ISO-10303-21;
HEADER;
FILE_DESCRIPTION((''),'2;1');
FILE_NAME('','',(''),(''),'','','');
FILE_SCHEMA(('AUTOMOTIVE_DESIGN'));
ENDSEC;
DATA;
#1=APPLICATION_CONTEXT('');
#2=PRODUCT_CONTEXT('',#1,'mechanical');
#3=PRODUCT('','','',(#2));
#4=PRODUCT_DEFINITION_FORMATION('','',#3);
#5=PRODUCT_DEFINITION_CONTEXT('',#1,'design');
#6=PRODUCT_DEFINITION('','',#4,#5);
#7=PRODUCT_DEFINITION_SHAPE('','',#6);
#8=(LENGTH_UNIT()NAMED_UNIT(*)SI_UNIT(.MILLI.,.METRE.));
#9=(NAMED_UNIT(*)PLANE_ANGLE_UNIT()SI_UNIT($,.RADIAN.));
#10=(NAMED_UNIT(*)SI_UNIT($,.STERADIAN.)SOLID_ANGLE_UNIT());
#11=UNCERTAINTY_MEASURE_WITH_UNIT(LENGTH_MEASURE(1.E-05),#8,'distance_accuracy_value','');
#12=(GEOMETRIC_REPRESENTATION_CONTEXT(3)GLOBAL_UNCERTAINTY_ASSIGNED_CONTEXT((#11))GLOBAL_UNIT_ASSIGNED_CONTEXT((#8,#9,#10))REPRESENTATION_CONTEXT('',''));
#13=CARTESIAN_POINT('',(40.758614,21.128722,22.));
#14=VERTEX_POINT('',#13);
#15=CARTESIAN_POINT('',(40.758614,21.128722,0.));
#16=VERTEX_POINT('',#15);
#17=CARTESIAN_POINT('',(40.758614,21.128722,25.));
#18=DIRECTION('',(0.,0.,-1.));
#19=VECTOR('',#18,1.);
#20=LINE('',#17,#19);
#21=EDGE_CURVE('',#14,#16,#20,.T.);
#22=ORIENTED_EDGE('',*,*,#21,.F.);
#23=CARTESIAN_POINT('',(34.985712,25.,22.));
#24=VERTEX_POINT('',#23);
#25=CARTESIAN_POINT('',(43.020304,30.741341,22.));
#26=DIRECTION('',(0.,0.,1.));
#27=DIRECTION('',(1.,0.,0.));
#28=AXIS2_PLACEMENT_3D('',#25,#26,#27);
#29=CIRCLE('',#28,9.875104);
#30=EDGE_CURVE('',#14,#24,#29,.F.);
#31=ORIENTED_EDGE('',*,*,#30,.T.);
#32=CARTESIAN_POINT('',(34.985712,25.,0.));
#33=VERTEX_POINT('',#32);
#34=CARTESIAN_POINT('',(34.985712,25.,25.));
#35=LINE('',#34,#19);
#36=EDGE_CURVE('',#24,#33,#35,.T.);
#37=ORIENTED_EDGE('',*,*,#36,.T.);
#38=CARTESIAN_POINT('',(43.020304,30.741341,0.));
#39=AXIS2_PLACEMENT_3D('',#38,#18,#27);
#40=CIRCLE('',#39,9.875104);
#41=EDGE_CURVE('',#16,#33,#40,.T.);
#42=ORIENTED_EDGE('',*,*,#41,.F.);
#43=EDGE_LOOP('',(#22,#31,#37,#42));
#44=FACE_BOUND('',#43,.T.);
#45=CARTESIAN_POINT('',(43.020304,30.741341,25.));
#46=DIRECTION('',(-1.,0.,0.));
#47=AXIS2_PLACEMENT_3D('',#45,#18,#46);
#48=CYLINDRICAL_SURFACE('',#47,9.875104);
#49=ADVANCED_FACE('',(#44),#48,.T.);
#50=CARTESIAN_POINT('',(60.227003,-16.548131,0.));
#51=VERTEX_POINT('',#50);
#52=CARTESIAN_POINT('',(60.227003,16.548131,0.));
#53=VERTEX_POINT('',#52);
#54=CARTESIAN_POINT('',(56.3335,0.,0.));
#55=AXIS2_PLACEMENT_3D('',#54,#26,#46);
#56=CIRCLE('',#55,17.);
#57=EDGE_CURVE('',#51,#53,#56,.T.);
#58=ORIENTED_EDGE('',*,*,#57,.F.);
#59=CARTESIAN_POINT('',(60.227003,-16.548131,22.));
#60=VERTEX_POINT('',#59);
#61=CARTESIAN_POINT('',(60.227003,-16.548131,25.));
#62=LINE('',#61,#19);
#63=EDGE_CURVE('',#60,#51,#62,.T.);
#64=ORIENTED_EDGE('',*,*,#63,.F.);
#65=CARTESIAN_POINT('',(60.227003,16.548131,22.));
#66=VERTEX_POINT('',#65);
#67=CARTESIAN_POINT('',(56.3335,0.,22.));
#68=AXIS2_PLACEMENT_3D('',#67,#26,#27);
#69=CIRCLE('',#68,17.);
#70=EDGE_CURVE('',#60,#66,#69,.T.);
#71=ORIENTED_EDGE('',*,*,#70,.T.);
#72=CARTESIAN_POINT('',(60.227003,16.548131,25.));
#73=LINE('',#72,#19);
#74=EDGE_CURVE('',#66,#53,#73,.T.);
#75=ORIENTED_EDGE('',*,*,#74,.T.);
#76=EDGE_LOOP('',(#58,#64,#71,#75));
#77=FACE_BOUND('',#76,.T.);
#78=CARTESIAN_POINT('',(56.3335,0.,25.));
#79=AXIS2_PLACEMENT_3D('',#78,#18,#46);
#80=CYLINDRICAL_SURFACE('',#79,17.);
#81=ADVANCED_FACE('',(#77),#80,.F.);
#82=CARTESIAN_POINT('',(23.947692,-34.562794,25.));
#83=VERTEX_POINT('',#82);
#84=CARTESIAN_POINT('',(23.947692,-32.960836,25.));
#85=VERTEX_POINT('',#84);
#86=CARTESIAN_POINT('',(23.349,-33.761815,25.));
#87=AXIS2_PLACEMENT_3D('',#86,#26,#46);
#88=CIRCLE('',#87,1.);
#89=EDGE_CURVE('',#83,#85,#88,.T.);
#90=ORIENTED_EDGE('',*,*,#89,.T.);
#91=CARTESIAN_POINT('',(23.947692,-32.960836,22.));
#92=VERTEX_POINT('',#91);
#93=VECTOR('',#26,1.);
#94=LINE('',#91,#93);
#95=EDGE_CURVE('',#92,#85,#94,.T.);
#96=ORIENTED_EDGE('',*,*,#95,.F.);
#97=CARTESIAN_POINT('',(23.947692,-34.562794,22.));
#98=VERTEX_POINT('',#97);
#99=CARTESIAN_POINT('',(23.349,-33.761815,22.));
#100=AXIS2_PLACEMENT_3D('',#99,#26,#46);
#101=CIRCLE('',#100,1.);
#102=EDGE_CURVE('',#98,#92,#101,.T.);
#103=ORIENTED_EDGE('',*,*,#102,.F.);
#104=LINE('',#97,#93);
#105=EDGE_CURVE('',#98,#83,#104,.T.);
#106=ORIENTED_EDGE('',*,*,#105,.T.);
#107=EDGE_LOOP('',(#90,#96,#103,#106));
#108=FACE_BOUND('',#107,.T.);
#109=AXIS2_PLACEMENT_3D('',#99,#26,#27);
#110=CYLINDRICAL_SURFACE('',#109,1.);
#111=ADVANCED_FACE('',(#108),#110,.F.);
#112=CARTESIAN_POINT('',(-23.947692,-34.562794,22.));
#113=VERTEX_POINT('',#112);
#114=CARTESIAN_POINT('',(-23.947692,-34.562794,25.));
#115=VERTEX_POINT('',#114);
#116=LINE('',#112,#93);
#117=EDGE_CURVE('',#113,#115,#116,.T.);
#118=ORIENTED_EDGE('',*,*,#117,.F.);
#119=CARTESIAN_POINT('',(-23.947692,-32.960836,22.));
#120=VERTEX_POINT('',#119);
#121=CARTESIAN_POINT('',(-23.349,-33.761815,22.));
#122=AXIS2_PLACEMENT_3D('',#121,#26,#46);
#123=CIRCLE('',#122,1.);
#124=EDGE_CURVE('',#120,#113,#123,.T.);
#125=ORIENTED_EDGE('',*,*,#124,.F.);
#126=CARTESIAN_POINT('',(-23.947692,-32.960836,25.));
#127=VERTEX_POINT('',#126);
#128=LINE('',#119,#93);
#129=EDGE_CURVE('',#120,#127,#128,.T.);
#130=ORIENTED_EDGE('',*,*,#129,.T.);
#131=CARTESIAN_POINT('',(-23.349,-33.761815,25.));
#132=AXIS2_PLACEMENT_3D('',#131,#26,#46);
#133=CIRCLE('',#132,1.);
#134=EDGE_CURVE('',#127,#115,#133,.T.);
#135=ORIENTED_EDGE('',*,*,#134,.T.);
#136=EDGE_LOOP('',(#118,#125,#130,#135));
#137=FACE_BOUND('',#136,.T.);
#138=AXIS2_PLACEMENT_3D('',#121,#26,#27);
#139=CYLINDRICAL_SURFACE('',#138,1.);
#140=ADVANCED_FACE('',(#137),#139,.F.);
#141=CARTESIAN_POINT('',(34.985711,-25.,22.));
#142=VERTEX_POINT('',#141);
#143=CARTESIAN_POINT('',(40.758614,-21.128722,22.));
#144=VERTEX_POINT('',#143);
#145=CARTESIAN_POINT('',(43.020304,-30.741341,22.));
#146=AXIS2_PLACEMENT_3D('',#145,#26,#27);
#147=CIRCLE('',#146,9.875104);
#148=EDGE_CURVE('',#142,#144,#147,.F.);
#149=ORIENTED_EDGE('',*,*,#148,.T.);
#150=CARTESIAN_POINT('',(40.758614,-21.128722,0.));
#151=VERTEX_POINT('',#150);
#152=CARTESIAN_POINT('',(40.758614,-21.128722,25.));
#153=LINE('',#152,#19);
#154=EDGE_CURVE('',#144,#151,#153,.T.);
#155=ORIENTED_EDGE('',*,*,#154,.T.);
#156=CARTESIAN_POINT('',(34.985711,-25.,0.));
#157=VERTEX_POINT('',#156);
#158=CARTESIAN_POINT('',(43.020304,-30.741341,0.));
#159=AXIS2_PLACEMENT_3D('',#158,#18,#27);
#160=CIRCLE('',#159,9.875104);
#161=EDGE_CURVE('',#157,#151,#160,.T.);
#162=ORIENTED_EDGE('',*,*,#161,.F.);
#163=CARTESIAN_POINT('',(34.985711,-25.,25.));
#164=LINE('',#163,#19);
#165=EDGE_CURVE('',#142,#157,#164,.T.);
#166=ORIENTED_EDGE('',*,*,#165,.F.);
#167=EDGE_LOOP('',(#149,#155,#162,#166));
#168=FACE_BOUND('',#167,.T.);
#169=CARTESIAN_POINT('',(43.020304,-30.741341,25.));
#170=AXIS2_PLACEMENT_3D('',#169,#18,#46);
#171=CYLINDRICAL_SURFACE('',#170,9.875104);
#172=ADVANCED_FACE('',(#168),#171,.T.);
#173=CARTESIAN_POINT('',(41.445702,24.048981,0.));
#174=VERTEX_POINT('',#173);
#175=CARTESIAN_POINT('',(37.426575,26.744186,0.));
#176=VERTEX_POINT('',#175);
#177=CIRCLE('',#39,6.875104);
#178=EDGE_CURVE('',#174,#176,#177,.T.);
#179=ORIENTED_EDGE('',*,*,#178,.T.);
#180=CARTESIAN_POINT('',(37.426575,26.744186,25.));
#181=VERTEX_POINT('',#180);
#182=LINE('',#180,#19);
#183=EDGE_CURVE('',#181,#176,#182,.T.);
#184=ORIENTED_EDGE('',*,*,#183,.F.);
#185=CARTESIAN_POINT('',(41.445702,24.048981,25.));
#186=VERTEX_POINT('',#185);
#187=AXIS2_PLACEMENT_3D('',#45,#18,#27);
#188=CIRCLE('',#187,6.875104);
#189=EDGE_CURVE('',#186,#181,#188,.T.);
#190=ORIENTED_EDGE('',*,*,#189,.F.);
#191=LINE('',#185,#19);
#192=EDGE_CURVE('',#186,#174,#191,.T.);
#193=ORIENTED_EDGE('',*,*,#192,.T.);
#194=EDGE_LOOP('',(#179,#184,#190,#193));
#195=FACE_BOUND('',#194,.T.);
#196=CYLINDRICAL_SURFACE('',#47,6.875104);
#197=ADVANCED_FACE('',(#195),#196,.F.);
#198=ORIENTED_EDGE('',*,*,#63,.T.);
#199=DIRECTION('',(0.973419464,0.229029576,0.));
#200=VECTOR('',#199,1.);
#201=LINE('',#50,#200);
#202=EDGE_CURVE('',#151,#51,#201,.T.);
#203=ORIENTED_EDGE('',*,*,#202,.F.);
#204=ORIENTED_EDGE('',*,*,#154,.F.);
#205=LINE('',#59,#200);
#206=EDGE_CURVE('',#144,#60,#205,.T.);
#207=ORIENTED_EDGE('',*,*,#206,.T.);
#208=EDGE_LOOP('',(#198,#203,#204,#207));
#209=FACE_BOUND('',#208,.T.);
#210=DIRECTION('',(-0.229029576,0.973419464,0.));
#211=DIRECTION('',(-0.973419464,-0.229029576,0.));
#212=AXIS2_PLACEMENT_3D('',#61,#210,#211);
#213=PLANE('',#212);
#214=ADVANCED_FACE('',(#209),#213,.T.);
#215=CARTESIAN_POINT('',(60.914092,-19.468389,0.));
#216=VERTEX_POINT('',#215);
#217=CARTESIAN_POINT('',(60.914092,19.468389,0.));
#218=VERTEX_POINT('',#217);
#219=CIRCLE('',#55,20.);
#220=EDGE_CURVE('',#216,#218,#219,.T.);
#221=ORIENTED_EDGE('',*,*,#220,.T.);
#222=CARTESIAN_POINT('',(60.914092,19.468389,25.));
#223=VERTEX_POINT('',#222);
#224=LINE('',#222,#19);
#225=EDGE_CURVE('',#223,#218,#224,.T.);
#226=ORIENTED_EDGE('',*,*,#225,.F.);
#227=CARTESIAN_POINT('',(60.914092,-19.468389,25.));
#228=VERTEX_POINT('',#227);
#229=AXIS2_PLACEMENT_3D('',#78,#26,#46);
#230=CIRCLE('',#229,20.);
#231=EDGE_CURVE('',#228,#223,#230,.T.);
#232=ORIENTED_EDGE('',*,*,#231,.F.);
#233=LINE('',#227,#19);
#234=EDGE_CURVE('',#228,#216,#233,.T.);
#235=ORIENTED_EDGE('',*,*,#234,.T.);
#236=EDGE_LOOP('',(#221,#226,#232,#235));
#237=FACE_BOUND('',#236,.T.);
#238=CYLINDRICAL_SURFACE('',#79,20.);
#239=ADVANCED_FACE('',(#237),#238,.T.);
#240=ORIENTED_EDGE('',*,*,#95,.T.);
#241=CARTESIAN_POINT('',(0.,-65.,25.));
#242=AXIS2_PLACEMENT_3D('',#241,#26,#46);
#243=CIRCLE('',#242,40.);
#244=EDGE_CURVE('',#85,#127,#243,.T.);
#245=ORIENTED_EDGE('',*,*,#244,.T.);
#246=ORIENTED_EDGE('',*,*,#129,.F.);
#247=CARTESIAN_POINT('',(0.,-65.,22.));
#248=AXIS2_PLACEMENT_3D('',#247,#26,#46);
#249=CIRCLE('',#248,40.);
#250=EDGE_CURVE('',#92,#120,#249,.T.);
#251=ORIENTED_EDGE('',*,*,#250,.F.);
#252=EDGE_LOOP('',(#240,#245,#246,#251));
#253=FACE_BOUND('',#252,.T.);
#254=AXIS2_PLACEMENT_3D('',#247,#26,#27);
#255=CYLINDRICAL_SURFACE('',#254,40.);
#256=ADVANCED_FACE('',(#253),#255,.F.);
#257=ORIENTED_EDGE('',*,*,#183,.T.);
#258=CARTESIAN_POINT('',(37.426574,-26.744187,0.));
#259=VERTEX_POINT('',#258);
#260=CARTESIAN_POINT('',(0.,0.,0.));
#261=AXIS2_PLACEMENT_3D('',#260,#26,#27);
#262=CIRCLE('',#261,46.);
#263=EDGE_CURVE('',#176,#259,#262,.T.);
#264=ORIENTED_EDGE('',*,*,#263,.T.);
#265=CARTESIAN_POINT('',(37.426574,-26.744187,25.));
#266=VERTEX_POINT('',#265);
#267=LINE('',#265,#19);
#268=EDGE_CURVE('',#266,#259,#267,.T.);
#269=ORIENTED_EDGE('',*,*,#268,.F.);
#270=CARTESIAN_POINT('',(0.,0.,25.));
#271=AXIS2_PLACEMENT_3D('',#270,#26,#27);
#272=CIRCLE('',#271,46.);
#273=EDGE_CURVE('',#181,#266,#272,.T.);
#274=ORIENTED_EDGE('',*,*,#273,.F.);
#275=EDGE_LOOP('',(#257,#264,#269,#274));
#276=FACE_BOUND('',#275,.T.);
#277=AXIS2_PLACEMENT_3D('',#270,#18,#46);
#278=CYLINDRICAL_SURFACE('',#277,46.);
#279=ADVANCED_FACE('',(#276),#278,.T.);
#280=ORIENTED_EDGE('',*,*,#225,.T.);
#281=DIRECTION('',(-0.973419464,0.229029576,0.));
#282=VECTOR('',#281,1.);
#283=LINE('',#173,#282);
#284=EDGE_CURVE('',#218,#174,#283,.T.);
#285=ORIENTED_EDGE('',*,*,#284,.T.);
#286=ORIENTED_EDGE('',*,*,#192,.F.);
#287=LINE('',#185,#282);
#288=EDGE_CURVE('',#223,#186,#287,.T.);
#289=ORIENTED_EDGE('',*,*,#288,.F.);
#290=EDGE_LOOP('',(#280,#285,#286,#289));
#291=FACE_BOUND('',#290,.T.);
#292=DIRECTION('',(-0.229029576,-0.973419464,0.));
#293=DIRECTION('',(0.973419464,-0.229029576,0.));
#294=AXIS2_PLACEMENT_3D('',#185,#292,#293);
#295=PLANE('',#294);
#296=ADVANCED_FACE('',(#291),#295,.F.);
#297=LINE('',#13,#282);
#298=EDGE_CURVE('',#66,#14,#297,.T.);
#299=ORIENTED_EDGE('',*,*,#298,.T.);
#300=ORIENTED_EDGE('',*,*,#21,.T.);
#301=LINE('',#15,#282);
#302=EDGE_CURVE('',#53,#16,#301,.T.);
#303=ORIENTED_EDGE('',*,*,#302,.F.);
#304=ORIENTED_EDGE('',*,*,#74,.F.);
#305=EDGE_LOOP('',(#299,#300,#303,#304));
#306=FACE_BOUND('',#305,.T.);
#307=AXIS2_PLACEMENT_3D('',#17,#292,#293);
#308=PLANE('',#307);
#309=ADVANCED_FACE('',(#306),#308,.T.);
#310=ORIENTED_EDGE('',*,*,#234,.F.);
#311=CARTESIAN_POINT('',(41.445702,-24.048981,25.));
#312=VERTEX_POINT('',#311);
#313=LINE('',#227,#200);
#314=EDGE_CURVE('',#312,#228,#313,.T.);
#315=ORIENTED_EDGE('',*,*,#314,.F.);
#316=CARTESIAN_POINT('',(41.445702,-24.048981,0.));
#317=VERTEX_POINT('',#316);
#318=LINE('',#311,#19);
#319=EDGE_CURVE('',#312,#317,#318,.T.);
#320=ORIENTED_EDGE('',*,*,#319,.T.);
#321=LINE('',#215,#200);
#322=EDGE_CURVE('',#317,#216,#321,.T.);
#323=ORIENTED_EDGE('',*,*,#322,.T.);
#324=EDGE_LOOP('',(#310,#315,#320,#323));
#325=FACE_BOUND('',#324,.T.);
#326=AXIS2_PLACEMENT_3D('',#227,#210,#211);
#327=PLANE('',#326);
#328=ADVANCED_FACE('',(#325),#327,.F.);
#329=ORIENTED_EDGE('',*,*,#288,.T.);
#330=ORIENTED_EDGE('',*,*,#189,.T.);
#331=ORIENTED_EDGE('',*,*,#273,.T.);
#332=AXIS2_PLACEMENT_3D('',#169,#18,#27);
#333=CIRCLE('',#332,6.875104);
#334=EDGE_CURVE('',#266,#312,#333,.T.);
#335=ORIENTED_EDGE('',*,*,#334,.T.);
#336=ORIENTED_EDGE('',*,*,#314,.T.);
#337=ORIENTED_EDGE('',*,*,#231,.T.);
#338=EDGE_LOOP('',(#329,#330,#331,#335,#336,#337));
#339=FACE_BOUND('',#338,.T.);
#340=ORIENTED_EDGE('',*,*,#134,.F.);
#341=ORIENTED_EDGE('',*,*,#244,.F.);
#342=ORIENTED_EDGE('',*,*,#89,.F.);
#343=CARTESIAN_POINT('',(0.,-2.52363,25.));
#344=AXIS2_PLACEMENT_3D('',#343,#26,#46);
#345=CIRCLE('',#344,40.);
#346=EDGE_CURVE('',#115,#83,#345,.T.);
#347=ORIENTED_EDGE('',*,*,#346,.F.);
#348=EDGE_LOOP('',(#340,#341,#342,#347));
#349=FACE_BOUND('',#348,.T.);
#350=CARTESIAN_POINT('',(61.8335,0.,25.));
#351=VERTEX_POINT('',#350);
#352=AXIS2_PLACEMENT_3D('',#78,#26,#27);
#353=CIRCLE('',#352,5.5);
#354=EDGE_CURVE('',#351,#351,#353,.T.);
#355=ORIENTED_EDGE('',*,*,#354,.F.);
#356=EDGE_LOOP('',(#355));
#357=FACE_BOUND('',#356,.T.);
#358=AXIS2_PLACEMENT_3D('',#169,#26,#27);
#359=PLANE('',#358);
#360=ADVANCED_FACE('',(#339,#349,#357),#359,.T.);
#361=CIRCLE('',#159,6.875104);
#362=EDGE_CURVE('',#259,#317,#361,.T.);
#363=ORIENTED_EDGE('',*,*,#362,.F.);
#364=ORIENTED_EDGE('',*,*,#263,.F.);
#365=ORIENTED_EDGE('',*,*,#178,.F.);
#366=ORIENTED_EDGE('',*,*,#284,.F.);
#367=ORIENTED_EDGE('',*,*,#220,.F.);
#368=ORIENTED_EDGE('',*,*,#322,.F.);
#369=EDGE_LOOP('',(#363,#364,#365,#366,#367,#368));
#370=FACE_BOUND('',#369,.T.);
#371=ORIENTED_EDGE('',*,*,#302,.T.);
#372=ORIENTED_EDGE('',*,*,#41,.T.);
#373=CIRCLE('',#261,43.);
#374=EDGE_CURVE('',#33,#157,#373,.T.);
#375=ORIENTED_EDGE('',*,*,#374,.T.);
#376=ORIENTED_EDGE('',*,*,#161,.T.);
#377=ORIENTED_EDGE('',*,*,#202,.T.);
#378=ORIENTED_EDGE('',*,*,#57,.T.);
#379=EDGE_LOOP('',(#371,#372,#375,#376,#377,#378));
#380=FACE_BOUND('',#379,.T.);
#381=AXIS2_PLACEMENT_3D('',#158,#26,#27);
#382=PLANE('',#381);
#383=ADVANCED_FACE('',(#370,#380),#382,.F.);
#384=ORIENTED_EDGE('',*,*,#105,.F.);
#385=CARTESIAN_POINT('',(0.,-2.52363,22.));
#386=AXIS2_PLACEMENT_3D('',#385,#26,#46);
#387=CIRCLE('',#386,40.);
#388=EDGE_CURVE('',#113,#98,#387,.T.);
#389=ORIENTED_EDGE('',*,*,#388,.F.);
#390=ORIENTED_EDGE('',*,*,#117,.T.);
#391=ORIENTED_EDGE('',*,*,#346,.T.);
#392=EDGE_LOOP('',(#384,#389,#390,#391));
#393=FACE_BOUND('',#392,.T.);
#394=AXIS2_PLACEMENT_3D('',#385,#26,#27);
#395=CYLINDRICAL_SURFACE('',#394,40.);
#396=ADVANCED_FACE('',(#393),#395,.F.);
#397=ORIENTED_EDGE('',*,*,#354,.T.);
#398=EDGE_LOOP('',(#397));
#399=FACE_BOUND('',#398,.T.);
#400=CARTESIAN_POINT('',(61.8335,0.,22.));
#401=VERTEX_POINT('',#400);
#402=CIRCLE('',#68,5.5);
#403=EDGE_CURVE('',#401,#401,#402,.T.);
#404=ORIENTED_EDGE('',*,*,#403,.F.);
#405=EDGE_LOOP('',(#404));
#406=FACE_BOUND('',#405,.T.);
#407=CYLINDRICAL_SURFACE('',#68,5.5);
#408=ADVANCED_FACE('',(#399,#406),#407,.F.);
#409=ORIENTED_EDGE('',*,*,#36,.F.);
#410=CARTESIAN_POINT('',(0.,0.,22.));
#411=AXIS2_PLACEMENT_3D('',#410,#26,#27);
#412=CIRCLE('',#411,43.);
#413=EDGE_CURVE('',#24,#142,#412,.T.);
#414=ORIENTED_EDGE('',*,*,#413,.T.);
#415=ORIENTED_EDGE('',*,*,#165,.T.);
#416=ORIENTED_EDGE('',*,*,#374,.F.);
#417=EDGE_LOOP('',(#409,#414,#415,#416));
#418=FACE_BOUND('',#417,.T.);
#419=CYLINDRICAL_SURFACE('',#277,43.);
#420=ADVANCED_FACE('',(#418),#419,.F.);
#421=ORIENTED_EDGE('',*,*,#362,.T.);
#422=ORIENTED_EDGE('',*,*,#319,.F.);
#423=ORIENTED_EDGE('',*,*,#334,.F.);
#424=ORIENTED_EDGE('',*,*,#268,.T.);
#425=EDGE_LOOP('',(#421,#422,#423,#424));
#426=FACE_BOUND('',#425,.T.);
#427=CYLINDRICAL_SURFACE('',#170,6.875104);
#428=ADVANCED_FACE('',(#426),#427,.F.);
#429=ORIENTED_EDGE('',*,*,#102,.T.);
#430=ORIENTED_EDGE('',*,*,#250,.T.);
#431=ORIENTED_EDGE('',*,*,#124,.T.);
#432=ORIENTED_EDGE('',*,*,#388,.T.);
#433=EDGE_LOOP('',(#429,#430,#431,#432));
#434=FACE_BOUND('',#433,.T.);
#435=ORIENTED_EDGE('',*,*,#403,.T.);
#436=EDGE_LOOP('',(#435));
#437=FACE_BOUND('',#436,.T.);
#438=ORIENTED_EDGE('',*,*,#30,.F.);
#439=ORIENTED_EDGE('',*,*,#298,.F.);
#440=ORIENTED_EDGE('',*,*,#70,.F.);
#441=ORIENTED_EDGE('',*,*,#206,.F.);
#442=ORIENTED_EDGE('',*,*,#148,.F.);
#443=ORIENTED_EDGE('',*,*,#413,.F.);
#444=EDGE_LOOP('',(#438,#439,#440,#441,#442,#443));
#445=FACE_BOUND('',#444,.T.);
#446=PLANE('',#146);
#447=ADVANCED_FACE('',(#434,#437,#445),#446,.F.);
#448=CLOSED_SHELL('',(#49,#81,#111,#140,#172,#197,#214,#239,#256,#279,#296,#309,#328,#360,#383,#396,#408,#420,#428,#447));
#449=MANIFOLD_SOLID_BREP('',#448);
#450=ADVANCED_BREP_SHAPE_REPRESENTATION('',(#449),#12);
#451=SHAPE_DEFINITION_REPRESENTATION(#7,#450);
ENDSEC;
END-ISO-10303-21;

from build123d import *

# Parameters (mm, degrees)
SALIENTE_EXTRUIR1_DEPTH = 25
SALIENTE_EXTRUIR2_START = -3
SALIENTE_EXTRUIR2_DEPTH = 3
CORTAR_EXTRUIR1_DEPTH   = 3
CROQUIS4_R              = 5.5
CORTAR_EXTRUIR2_DEPTH   = 3


with BuildPart() as part:
    # Croquis1 → Saliente-Extruir1 (new body)
    with BuildSketch(Plane.XY):
        with BuildLine():
            Line((41.445702238, 24.048980806), (60.914091522, 19.468389284))
            ThreePointArc((60.914091522, 19.468389284), (76.3335, 0), (60.914091522, -19.468389284))
            Line((60.914091522, -19.468389284), (41.445702238, -24.048980806))
            ThreePointArc((41.445702238, -24.048980806), (39.191168738, -25.031281724), (37.426574478, -26.744186711))
            ThreePointArc((37.426574478, -26.744186711), (-46, 2.97e-07), (37.426574823, 26.744186228))
            ThreePointArc((37.426574823, 26.744186228), (39.191168984, 25.031281559), (41.445702238, 24.048980806))
        make_face()
        with BuildLine():
            Line((40.758613509, 21.128722413), (60.227002793, 16.548130891))
            ThreePointArc((60.227002793, 16.548130891), (73.3335, 0), (60.227002793, -16.548130891))
            Line((60.227002793, -16.548130891), (40.758613509, -21.128722413))
            ThreePointArc((40.758613509, -21.128722413), (37.520298481, -22.539657237), (34.985711121, -25.000000347))
            ThreePointArc((34.985711121, -25.000000347), (-43, 4.27e-07), (34.985711617, 24.999999653))
            ThreePointArc((34.985711617, 24.999999653), (37.520298835, 22.539656999), (40.758613509, 21.128722413))
        make_face(mode=Mode.SUBTRACT)
    extrude(amount=SALIENTE_EXTRUIR1_DEPTH)

    # Croquis2 → Saliente-Extruir2 (add)
    with BuildSketch(Plane.XY.offset(25).offset(SALIENTE_EXTRUIR2_START)):
        with BuildLine():
            Line((41.445702238, -24.048980806), (60.914091522, -19.468389284))
            ThreePointArc((60.914091522, -19.468389284), (76.3335, 0), (60.914091522, 19.468389284))
            Line((60.914091522, 19.468389284), (41.445702238, 24.048980806))
            ThreePointArc((41.445702238, 24.048980806), (39.191168984, 25.031281559), (37.426574823, 26.744186228))
            ThreePointArc((37.426574823, 26.744186228), (-46, 2.97e-07), (37.426574478, -26.744186711))
            ThreePointArc((37.426574478, -26.744186711), (39.191168738, -25.031281724), (41.445702238, -24.048980806))
        make_face()
    extrude(amount=SALIENTE_EXTRUIR2_DEPTH)

    # Croquis3 → Cortar-Extruir1 (cut)
    with BuildSketch(Plane.XY.offset(25)):
        with BuildLine():
            ThreePointArc((-23.947692308, -34.562794151), (-24.349, -33.76181505), (-23.947692308, -32.960835948))
            ThreePointArc((-23.947692308, -32.960835948), (0, -25), (23.947692308, -32.960835948))
            ThreePointArc((23.947692308, -32.960835948), (24.349, -33.76181505), (23.947692308, -34.562794151))
            ThreePointArc((23.947692308, -34.562794151), (0, -42.523630099), (-23.947692308, -34.562794151))
        make_face()
    extrude(amount=-CORTAR_EXTRUIR1_DEPTH, mode=Mode.SUBTRACT)

    # Croquis4 → Cortar-Extruir2 (cut)
    with BuildSketch(Plane.XY.offset(25)):
        with Locations((56.3335, 0)):
            Circle(CROQUIS4_R)
    extrude(amount=-CORTAR_EXTRUIR2_DEPTH, mode=Mode.SUBTRACT)


solid = part.part
